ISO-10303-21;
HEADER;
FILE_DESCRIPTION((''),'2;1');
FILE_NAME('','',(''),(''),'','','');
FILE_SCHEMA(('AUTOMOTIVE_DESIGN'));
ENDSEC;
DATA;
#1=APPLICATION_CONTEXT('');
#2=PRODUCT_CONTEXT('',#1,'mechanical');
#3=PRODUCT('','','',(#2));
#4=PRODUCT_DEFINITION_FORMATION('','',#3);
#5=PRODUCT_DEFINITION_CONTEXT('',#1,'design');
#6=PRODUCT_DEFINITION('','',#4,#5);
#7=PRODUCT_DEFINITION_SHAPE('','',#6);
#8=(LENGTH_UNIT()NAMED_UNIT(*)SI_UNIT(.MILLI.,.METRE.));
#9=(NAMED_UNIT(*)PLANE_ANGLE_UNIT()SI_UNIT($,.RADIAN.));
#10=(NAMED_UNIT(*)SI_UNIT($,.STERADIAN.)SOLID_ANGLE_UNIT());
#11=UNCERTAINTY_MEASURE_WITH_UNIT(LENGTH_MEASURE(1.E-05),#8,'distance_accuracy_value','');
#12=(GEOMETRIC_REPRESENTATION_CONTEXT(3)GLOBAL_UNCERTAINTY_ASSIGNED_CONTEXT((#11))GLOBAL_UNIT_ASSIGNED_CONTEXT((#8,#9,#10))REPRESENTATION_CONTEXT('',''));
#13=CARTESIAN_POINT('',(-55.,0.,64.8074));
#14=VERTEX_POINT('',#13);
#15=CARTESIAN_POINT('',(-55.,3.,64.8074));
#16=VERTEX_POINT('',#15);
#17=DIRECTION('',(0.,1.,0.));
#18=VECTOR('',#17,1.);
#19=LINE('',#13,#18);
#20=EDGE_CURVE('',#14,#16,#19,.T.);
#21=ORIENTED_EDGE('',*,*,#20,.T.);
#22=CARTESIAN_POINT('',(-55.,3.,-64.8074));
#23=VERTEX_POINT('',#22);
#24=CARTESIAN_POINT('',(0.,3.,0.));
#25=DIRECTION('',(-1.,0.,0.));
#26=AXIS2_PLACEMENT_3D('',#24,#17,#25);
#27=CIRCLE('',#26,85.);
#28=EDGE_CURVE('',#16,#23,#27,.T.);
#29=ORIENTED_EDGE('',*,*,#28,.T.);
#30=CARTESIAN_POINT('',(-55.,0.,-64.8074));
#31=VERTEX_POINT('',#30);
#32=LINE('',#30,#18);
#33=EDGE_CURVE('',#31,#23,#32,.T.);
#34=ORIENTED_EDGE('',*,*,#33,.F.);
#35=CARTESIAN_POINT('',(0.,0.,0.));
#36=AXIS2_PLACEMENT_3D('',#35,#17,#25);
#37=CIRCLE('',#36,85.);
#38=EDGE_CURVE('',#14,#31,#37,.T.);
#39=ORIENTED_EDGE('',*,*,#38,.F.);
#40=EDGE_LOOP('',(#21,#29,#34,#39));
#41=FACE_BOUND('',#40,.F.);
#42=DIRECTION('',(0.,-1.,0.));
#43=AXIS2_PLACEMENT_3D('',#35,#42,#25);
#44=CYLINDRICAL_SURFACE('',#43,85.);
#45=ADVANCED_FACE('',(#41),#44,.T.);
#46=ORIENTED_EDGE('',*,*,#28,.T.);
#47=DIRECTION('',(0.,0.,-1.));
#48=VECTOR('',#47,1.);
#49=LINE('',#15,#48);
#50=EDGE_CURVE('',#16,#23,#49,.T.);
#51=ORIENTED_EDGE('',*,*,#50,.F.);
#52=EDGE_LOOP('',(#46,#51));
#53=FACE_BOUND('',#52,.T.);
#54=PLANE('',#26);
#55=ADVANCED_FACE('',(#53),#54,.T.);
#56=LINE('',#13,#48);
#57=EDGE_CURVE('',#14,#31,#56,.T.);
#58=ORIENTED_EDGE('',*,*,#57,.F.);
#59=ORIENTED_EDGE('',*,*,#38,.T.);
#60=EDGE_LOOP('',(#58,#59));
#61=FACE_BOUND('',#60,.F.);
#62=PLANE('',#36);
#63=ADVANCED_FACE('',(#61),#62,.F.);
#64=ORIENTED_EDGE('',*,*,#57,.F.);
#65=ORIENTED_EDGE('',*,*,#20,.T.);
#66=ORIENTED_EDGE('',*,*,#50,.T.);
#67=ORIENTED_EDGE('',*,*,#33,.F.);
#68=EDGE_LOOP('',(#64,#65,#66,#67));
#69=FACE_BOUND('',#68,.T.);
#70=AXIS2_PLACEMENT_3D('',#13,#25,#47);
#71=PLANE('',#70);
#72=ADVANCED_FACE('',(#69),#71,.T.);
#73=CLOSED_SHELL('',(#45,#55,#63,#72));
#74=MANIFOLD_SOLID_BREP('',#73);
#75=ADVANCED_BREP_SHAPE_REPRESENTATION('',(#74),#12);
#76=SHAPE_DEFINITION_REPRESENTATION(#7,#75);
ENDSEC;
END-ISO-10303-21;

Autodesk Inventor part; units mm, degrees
ref_plane "YZ Plane" through (0, 0, 0) normal (1, 0, 0) x (0, 1, 0)
ref_plane "XZ Plane" through (0, 0, 0) normal (0, 1, 0) x (-1, 0, 0)
ref_plane "XY Plane" through (0, 0, 0) normal (0, 0, 1) x (1, 0, 0)
sketch "Sketch1" plane through (0, 0, 0) normal (0, 1, 0) x (-1, 0, 0)
  circle A0 centre (0, 0) radius 85
  line L0 (55, 64.8074) -> (55, -64.8074)
  dimension "d0" = 170
  dimension "d1" = 55
extrude "Extrusion1" add sketch "Sketch1" along normal blind 3 contours L0 A0 picked at (8.3333, 0)
sketch "Sketch2" plane through (0, 3, 0) normal (0, 1, 0) x (1, 0, 0)
  line L0 (-27.5, -70) -> (27.5, -70)
  line L1 (27.5, -70) -> (27.5, -55)
  line L2 (27.5, -55) -> (-27.5, -55)
  line L3 (-27.5, -55) -> (-27.5, -70)
  point P0 (0, 0)
  point P1 (0, -70)
  dimension "d4" = 55
  dimension "d5" = 15
  dimension "d6" = 55
properties part number "top plate"
